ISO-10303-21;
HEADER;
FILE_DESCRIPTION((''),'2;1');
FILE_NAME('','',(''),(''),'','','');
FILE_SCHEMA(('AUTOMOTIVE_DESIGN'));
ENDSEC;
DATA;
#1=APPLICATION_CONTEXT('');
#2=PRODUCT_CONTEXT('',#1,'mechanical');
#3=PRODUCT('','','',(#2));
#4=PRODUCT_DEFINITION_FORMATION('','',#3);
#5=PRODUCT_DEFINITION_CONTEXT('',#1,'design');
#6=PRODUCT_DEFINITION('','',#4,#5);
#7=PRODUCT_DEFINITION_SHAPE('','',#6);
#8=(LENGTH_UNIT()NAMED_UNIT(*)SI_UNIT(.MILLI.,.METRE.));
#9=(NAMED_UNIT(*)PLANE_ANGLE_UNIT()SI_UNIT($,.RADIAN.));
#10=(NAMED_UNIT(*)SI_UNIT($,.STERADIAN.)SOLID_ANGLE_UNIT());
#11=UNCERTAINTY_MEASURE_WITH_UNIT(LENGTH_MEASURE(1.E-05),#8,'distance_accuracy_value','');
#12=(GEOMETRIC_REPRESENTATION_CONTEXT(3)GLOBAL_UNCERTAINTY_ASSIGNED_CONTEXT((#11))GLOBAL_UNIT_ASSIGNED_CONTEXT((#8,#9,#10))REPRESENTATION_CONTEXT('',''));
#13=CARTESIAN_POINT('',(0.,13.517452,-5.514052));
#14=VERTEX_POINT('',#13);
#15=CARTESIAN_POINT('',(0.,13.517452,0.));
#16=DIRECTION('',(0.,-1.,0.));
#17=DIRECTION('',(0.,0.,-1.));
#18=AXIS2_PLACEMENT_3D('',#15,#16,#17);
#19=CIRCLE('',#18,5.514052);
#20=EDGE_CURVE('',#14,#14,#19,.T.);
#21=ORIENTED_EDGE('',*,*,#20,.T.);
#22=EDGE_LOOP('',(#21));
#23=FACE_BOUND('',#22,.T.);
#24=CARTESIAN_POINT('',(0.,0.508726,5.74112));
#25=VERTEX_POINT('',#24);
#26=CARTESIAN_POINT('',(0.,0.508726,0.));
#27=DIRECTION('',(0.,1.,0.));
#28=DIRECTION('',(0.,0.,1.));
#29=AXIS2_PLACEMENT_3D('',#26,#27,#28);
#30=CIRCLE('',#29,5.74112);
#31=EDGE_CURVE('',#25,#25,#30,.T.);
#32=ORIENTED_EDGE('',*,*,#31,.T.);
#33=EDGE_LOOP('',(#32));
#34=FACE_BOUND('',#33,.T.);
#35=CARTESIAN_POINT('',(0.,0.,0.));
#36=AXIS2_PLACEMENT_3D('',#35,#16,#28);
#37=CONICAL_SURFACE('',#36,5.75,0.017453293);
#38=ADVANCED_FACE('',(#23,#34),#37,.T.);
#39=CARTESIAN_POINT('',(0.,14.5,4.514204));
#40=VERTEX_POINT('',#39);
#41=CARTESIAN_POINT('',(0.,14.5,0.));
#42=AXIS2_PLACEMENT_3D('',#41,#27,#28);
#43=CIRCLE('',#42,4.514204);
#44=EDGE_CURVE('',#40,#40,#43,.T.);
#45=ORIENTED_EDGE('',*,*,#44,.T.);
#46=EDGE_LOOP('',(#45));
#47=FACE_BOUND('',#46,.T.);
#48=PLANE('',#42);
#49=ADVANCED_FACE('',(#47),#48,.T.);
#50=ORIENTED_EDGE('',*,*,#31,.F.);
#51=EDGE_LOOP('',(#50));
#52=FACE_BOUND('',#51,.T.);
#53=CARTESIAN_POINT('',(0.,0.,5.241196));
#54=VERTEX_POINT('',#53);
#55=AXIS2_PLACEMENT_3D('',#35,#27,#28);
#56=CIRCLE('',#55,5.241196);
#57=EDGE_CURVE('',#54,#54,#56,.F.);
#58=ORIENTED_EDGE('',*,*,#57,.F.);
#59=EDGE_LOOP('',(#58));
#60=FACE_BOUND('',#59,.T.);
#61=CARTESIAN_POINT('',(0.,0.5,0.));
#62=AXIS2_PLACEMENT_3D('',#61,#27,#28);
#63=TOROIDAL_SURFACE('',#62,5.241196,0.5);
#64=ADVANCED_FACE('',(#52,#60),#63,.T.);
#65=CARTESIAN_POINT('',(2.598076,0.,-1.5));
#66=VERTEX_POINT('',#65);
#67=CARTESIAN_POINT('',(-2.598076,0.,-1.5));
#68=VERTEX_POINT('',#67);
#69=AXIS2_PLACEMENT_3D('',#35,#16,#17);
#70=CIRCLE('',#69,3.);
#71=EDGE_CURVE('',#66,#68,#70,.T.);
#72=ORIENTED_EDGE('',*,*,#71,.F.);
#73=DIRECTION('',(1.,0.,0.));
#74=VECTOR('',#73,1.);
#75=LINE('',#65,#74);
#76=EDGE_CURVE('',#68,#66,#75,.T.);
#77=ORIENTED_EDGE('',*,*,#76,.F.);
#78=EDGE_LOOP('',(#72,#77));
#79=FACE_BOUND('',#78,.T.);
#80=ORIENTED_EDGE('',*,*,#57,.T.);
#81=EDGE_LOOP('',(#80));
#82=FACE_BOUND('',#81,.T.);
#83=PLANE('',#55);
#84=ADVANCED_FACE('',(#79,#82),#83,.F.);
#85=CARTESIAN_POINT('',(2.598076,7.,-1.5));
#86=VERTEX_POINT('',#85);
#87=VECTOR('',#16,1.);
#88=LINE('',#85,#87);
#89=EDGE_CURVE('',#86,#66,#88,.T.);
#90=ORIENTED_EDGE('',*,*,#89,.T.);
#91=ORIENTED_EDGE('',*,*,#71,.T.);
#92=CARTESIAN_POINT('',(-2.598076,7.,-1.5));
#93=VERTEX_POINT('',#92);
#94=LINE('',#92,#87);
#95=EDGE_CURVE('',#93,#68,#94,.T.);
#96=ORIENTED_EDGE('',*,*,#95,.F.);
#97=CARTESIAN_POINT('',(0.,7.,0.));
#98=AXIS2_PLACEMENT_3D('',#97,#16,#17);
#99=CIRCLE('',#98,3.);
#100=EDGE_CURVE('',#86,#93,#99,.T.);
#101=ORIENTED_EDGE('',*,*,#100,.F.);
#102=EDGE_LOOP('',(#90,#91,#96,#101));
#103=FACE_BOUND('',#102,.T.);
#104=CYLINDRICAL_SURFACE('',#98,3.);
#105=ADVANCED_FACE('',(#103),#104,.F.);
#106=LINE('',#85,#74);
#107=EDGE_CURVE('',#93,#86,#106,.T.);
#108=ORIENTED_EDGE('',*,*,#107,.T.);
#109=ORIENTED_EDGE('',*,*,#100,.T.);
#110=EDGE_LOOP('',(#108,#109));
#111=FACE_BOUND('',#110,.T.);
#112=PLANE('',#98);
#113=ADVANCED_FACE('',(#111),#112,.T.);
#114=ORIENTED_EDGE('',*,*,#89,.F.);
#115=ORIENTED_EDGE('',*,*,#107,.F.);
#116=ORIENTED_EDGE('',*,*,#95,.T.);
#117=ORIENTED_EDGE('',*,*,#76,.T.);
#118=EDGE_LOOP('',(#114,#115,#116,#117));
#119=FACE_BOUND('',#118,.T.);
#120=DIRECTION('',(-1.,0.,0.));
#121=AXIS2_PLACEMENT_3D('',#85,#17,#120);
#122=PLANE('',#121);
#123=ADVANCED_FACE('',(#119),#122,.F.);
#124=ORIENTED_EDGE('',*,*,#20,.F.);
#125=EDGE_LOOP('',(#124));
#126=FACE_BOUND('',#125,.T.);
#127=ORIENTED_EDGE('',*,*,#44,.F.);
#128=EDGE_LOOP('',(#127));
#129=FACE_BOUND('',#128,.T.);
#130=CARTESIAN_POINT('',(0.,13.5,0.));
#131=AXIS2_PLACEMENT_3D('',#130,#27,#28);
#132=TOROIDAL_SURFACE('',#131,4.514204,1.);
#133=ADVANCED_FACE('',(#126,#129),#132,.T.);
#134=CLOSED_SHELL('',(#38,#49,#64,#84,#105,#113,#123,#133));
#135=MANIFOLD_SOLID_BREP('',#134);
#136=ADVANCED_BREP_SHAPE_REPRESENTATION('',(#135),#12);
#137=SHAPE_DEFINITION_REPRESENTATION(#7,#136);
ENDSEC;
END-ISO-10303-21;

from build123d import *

# Parameters (mm, degrees)
SKETCH1_R           = 5.75
BOSS_EXTRUDE1_DEPTH = 14.5
BOSS_EXTRUDE1_TAPER = 1
FILLET1_R           = 1
FILLET2_R           = 0.5
CUT_EXTRUDE1_DEPTH  = 7


with BuildPart() as part:
    # Sketch1 → Boss-Extrude1 (new body)
    with BuildSketch(Plane(origin=(0, 0, 0), x_dir=(1, 0, 0), z_dir=(0, 1, 0))):
        Circle(SKETCH1_R)
    extrude(amount=BOSS_EXTRUDE1_DEPTH, taper=BOSS_EXTRUDE1_TAPER)

    # Fillet1
    fillet1_edges = [part.edges().sort_by_distance(p)[0] for p in [
        (-5.496901559, 14.5, 0),
    ]]
    fillet(fillet1_edges, radius=FILLET1_R)

    # Fillet2
    fillet2_edges = [part.edges().sort_by_distance(p)[0] for p in [
        (-5.75, 0, 0),
    ]]
    fillet(fillet2_edges, radius=FILLET2_R)

    # Sketch2 → Cut-Extrude1 (cut)
    with BuildSketch(Plane.XZ):
        with BuildLine():
            Line((2.598076211, -1.5), (-2.598076211, -1.5))
            ThreePointArc((-2.598076211, -1.5), (0, 3), (2.598076211, -1.5))
        make_face()
    extrude(amount=-CUT_EXTRUDE1_DEPTH, mode=Mode.SUBTRACT)


solid = part.part
